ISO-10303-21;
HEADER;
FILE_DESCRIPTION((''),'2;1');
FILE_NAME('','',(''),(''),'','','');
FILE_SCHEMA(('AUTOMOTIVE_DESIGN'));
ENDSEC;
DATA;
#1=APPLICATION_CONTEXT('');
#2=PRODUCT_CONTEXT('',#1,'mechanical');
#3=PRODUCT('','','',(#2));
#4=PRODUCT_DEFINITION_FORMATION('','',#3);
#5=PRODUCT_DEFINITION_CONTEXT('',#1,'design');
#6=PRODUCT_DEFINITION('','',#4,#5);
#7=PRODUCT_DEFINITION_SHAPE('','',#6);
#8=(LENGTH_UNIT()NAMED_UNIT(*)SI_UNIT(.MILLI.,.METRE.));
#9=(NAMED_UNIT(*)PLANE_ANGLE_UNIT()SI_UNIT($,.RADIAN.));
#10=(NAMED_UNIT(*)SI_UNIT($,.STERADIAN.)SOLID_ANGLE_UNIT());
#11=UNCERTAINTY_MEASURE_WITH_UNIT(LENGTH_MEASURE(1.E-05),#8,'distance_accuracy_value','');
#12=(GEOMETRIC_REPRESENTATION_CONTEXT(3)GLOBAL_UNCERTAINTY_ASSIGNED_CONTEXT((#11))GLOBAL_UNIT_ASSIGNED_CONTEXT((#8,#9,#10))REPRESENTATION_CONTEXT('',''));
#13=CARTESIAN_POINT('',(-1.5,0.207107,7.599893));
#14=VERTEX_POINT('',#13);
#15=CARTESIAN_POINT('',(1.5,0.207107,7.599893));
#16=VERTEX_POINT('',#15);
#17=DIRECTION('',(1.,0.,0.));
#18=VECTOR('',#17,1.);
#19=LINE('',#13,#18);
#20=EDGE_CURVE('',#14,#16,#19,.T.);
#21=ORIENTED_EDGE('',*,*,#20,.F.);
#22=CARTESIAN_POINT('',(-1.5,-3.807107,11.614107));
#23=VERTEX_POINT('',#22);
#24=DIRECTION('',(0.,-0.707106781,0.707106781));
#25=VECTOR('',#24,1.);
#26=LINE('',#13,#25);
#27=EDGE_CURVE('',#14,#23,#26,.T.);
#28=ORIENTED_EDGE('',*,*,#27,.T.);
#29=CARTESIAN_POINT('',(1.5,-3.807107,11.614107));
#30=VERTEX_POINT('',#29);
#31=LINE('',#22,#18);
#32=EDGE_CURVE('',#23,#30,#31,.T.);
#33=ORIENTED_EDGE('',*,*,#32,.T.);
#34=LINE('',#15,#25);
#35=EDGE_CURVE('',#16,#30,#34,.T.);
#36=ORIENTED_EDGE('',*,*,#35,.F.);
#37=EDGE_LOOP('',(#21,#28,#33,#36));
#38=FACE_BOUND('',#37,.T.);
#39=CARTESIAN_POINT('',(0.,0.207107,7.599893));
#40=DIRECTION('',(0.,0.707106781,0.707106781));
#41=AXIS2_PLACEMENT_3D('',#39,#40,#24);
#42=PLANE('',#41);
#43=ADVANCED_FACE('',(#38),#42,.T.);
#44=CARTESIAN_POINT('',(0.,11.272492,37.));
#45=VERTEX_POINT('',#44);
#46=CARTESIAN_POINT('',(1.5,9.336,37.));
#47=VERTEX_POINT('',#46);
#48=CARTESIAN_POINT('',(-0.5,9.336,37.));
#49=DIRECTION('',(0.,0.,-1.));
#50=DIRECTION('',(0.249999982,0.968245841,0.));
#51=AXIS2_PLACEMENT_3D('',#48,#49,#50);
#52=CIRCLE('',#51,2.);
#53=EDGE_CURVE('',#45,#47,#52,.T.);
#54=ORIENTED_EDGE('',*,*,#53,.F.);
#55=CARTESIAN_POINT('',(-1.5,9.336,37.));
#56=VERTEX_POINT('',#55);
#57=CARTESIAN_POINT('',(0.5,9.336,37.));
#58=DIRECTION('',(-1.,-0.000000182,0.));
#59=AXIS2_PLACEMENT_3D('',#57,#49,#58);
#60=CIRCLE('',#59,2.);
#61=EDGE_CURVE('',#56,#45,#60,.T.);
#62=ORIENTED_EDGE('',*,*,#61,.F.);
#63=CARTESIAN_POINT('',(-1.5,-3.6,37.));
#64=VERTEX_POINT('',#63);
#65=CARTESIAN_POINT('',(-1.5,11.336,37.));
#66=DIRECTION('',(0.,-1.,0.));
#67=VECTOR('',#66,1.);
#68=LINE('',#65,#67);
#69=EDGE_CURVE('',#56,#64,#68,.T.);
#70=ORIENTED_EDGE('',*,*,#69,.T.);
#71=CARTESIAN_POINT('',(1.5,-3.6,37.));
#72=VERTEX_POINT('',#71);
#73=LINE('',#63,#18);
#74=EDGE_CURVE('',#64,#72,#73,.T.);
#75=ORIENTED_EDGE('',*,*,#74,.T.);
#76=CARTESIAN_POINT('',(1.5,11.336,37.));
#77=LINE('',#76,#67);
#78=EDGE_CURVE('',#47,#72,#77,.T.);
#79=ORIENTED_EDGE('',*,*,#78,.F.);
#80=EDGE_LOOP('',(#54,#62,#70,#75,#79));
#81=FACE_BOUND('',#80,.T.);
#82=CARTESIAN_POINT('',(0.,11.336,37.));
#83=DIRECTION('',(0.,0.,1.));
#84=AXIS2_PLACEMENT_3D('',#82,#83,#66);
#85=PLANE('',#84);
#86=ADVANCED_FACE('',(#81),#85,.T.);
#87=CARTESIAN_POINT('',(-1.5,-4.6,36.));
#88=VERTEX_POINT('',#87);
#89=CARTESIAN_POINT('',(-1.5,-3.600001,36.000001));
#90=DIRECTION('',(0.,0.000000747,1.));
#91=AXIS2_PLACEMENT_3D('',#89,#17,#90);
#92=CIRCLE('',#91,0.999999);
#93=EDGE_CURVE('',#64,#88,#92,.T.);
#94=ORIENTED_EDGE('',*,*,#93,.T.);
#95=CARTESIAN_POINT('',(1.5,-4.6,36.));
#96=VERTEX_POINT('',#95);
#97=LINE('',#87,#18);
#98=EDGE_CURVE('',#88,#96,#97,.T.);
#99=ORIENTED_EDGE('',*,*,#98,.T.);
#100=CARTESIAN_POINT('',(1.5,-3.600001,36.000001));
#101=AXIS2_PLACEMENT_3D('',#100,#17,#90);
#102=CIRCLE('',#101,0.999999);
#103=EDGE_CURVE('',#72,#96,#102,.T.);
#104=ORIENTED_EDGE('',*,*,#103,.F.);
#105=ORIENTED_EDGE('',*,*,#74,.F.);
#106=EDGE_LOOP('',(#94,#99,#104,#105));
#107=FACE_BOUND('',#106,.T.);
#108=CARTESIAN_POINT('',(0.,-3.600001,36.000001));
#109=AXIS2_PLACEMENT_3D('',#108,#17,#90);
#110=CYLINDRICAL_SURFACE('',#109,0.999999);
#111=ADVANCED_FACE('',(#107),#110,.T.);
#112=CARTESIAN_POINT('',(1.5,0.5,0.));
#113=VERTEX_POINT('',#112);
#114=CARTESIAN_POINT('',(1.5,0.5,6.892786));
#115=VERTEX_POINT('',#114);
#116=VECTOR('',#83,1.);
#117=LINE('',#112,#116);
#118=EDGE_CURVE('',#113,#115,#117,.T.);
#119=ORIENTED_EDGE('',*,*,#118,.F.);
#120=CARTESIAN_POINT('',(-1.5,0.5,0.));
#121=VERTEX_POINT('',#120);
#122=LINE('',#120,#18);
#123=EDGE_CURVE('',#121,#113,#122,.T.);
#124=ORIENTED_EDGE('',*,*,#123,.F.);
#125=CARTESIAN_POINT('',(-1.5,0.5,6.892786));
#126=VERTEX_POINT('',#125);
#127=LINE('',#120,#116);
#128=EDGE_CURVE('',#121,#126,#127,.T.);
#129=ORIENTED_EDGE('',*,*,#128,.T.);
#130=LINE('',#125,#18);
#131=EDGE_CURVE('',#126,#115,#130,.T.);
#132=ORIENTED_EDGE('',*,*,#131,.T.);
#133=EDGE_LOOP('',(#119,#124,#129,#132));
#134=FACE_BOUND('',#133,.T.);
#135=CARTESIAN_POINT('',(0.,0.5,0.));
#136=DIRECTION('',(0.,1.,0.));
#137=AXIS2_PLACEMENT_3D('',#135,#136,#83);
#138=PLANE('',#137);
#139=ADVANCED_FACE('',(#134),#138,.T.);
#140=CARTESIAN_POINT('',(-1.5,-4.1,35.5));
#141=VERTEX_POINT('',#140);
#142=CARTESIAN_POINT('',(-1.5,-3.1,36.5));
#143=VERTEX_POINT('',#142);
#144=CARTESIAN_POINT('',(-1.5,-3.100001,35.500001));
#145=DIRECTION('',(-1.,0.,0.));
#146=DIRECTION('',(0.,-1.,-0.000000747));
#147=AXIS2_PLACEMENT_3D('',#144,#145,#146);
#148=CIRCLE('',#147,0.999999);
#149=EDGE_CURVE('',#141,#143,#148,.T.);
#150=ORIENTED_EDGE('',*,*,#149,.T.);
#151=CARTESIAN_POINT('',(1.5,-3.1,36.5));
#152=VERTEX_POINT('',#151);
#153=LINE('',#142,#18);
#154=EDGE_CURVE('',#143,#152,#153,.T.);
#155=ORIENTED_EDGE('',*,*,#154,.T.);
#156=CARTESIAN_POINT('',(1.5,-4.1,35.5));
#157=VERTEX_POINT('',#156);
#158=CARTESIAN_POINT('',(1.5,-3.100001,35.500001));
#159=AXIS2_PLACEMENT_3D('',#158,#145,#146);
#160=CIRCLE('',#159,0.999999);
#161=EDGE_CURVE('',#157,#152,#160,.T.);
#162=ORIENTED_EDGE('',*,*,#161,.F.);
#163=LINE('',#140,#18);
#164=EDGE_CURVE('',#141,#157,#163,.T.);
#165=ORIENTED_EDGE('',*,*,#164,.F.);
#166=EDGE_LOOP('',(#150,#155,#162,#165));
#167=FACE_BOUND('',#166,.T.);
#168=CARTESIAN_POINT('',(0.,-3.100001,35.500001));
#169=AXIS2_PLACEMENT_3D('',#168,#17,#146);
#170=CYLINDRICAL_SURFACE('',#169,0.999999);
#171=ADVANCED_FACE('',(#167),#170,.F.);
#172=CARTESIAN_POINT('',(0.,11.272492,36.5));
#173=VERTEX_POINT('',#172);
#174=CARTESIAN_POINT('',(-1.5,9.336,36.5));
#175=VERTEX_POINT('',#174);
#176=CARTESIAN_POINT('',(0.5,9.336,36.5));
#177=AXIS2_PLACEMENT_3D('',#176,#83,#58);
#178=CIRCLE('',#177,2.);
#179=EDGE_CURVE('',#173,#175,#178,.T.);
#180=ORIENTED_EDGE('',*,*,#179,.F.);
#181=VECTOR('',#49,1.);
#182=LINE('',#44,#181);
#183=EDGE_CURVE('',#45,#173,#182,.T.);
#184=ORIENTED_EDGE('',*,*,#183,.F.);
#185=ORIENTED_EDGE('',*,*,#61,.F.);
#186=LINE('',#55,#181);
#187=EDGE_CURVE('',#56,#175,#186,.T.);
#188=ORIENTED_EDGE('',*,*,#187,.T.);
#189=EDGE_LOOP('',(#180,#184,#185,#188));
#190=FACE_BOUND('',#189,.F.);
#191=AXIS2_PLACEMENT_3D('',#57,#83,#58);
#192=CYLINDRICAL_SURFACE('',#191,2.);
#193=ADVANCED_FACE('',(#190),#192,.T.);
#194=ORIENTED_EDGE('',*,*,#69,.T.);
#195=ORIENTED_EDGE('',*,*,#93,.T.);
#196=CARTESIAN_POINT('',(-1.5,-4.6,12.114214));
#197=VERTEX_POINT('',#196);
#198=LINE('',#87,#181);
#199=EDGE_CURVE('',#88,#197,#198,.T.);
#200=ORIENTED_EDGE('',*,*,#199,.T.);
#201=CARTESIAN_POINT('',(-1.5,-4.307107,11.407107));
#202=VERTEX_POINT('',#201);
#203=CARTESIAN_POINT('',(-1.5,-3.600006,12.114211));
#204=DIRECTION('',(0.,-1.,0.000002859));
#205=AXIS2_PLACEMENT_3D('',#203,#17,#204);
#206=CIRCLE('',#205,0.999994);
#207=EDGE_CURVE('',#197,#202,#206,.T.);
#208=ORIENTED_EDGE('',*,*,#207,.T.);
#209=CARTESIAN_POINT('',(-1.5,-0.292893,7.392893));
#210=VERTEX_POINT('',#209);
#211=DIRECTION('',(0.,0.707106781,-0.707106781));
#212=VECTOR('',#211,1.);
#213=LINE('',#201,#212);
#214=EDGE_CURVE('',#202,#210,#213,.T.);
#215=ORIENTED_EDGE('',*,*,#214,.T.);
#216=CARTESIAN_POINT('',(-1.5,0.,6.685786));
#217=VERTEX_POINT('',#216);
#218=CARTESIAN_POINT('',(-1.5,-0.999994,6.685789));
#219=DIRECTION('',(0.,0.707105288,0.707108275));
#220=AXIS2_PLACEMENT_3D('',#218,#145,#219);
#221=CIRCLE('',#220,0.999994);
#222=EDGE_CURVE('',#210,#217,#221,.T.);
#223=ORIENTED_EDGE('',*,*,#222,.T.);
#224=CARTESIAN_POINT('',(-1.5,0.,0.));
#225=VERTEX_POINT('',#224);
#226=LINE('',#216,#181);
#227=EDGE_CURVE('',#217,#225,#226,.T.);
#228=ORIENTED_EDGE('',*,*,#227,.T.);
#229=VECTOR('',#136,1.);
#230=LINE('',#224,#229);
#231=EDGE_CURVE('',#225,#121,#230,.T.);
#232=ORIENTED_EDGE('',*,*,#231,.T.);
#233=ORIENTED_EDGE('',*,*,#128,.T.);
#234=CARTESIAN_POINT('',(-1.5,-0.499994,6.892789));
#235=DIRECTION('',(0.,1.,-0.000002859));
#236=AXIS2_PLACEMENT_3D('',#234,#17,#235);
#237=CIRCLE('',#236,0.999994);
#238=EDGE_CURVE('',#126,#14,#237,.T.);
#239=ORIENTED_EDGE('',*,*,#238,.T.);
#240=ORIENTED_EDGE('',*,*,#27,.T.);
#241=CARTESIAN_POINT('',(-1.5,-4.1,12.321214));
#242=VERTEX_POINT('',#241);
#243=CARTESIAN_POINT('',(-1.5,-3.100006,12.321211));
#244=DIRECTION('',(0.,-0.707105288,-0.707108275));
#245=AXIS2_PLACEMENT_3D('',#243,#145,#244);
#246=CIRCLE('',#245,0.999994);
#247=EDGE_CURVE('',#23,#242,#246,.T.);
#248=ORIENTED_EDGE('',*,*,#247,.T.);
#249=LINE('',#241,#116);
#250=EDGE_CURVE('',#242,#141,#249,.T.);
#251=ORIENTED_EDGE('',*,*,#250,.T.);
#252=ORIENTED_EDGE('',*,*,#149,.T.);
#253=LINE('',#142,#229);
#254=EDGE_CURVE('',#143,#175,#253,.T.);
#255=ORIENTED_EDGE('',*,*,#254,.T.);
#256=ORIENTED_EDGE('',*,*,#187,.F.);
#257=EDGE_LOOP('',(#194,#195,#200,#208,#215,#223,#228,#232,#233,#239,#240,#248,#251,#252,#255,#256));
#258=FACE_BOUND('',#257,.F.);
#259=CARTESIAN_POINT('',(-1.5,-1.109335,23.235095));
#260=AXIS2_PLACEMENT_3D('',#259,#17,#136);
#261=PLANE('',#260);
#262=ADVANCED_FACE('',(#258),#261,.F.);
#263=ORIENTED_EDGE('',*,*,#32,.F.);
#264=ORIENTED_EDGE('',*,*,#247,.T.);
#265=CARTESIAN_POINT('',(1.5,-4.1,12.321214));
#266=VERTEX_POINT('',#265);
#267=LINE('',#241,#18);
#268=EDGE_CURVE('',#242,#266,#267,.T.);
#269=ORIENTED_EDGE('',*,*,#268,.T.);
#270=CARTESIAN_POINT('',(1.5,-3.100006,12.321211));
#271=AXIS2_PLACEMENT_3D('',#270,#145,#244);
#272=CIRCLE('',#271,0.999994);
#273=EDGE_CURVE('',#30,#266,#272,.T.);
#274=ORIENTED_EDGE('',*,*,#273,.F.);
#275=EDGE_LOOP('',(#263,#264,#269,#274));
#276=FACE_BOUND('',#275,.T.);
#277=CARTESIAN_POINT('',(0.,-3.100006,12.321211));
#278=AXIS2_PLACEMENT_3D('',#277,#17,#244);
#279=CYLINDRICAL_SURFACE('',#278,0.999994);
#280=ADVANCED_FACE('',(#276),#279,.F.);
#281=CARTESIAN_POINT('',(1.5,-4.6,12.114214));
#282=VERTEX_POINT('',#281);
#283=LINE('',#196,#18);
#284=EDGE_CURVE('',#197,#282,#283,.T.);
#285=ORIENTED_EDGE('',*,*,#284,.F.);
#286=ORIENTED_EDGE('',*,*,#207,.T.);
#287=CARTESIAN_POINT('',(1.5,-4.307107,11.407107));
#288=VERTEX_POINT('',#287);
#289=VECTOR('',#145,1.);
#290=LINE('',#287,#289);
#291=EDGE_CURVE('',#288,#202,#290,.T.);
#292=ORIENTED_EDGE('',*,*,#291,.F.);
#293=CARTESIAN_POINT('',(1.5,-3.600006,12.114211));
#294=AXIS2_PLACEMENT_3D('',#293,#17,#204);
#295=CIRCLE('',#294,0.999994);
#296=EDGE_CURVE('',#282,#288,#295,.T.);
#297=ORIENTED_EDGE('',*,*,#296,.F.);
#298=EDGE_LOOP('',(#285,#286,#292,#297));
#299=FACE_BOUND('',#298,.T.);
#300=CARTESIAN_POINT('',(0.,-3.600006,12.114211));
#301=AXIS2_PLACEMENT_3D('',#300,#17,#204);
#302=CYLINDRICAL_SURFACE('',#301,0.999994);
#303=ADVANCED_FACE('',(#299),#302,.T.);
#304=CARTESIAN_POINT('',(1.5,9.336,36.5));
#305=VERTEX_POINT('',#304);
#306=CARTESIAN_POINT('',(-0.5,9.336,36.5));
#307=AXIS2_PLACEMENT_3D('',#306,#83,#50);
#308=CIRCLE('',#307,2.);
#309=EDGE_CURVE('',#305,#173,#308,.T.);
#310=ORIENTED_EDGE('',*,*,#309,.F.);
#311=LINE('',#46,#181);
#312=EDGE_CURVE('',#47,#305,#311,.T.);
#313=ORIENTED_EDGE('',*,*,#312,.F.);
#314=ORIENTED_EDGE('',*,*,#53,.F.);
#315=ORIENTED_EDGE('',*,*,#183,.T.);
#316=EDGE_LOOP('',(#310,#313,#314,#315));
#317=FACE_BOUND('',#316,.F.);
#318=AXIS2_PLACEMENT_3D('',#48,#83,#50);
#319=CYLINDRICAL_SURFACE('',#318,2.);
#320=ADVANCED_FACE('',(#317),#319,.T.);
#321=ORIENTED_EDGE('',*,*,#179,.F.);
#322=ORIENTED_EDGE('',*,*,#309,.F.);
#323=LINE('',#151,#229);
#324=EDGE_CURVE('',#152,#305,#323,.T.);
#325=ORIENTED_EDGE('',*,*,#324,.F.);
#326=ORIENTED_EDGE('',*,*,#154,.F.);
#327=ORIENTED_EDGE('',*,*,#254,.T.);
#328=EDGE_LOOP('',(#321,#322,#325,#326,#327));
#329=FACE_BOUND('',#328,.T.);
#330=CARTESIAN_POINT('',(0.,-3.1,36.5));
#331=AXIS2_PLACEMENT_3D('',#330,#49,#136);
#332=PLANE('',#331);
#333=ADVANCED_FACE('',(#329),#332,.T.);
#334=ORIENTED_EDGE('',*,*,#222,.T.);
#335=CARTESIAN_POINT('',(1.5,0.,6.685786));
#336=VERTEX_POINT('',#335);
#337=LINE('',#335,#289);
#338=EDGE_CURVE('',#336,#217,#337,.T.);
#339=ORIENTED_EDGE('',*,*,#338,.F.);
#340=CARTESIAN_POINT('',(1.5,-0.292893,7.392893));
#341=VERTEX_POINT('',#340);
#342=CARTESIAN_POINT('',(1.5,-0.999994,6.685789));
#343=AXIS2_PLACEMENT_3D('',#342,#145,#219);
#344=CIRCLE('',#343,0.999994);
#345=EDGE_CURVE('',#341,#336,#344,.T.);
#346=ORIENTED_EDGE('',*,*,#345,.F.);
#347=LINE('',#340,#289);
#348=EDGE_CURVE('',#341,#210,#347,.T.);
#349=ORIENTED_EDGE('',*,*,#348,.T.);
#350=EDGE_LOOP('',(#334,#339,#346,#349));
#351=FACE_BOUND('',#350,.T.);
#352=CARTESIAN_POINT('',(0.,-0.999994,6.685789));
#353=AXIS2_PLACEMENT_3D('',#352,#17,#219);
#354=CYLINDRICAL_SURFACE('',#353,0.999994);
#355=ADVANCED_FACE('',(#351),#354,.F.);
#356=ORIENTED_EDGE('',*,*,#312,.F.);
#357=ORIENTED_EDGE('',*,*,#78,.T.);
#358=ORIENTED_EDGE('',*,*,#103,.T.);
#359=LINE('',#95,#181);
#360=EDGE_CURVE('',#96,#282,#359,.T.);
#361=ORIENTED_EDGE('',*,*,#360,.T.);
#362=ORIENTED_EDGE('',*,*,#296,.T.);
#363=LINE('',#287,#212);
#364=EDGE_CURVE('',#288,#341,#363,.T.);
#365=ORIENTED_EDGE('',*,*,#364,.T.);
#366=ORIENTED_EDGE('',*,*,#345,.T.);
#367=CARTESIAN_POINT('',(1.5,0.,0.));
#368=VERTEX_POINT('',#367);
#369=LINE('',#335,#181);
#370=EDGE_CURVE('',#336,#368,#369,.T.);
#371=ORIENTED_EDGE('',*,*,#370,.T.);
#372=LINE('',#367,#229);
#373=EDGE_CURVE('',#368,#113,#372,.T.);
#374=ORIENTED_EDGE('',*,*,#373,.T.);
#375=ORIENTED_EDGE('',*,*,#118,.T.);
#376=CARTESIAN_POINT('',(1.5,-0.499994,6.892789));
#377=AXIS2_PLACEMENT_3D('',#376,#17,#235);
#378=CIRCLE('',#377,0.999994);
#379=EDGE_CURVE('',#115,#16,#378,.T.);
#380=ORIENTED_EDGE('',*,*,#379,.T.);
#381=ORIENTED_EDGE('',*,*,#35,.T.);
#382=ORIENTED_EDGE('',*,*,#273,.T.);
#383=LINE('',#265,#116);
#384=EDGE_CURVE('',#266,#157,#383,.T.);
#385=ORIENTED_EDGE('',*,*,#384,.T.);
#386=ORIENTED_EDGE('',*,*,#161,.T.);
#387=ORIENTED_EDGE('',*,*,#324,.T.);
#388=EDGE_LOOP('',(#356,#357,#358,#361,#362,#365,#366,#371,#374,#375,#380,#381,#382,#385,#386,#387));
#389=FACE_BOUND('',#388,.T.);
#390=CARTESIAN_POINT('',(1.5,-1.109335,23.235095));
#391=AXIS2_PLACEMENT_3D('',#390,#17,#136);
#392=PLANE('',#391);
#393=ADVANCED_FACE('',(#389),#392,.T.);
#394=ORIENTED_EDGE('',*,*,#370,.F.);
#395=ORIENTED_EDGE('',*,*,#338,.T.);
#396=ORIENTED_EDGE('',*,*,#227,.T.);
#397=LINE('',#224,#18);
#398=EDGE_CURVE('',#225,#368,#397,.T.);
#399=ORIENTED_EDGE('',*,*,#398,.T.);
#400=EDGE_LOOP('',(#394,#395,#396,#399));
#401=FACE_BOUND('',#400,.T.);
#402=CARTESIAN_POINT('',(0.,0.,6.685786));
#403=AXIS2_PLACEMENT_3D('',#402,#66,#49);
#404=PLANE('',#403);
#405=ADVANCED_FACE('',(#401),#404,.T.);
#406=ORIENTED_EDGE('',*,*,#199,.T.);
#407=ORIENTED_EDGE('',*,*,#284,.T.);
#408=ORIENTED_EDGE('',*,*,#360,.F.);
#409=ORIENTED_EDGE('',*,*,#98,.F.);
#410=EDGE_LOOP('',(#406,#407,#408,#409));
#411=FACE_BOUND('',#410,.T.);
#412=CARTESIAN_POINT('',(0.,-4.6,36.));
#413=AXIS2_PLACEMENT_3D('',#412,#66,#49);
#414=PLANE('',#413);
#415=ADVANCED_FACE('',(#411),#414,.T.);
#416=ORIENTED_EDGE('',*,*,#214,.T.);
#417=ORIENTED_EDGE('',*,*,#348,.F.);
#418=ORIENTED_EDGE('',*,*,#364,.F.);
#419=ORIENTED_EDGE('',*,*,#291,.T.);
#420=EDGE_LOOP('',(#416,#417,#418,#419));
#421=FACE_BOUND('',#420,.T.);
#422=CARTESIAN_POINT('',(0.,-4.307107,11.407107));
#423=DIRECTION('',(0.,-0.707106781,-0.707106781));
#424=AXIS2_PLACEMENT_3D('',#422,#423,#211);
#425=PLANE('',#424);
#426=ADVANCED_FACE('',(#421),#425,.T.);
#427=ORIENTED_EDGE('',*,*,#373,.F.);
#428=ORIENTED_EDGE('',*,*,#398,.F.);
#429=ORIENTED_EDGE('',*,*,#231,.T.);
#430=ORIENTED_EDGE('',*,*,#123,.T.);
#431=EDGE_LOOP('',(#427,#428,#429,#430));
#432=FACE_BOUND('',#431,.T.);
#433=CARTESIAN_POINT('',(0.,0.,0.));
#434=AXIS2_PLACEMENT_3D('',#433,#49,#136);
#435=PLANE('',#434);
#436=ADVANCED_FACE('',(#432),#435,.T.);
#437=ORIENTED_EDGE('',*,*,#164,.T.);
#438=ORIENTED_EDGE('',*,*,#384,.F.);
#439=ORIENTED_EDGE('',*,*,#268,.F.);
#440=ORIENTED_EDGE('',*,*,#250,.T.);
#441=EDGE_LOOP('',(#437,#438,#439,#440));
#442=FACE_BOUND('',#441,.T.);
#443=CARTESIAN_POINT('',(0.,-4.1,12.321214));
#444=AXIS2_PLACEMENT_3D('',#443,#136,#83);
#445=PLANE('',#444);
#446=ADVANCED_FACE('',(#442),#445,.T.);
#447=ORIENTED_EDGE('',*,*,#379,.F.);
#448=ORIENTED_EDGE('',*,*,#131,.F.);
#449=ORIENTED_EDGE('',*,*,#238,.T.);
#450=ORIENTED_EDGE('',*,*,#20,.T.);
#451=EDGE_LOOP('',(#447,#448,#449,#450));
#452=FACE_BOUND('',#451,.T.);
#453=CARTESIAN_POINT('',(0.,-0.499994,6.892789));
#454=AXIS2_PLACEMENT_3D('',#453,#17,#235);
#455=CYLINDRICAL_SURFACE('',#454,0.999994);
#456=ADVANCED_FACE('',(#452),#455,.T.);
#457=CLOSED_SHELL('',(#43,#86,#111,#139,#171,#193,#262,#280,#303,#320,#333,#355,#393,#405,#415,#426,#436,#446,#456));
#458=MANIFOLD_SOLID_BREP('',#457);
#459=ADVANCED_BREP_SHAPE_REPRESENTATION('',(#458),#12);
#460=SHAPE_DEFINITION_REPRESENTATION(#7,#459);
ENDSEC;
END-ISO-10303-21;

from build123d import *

# Parameters (mm, degrees)
F1_DEPTH = 1.5
F3_DEPTH = 25


with BuildPart() as f1:
    # F0 (on Right) → F1 (new body, symmetric)
    with BuildSketch(Plane.YZ):
        with BuildLine():
            Line((0, 6.685786), (0, 0))
            Line((0, 0), (0.5, 0))
            Line((0.5, 0), (0.5, 6.892786))
            ThreePointArc((0.5, 6.892786), (0.42388, 7.27547), (0.207107, 7.599893))
            Line((0.207107, 7.599893), (-3.807107, 11.614107))
            ThreePointArc((-3.807107, 11.614107), (-4.02388, 11.93853), (-4.1, 12.321214))
            Line((-4.1, 12.321214), (-4.1, 35.5))
            ThreePointArc((-4.1, 35.5), (-3.807107, 36.207107), (-3.1, 36.5))
            Line((-3.1, 36.5), (11.336, 36.5))
            Line((11.336, 36.5), (11.336, 37))
            Line((11.336, 37), (-3.6, 37))
            ThreePointArc((-3.6, 37), (-4.307107, 36.707107), (-4.6, 36))
            Line((-4.6, 36), (-4.6, 12.114214))
            ThreePointArc((-4.6, 12.114214), (-4.52388, 11.73153), (-4.307107, 11.407107))
            Line((-4.307107, 11.407107), (-0.292893, 7.392893))
            ThreePointArc((-0.292893, 7.392893), (-0.07612, 7.06847), (0, 6.685786))
        make_face()
    extrude(amount=F1_DEPTH, both=True)

    # F2 (on face) → F3 (cut)
    with BuildSketch(Plane.XY.offset(37)):
        with BuildLine():
            ThreePointArc((-1.5, 9.336), (-1.081139, 10.560745), (0, 11.272492))
            ThreePointArc((0, 11.272492), (1.081139, 10.560745), (1.5, 9.336))
            Line((1.5, 9.336), (1.5, 11.336))
            Line((1.5, 11.336), (-1.5, 11.336))
            Line((-1.5, 11.336), (-1.5, 9.336))
        make_face()
    extrude(amount=-F3_DEPTH, mode=Mode.SUBTRACT)


solid = f1.part
